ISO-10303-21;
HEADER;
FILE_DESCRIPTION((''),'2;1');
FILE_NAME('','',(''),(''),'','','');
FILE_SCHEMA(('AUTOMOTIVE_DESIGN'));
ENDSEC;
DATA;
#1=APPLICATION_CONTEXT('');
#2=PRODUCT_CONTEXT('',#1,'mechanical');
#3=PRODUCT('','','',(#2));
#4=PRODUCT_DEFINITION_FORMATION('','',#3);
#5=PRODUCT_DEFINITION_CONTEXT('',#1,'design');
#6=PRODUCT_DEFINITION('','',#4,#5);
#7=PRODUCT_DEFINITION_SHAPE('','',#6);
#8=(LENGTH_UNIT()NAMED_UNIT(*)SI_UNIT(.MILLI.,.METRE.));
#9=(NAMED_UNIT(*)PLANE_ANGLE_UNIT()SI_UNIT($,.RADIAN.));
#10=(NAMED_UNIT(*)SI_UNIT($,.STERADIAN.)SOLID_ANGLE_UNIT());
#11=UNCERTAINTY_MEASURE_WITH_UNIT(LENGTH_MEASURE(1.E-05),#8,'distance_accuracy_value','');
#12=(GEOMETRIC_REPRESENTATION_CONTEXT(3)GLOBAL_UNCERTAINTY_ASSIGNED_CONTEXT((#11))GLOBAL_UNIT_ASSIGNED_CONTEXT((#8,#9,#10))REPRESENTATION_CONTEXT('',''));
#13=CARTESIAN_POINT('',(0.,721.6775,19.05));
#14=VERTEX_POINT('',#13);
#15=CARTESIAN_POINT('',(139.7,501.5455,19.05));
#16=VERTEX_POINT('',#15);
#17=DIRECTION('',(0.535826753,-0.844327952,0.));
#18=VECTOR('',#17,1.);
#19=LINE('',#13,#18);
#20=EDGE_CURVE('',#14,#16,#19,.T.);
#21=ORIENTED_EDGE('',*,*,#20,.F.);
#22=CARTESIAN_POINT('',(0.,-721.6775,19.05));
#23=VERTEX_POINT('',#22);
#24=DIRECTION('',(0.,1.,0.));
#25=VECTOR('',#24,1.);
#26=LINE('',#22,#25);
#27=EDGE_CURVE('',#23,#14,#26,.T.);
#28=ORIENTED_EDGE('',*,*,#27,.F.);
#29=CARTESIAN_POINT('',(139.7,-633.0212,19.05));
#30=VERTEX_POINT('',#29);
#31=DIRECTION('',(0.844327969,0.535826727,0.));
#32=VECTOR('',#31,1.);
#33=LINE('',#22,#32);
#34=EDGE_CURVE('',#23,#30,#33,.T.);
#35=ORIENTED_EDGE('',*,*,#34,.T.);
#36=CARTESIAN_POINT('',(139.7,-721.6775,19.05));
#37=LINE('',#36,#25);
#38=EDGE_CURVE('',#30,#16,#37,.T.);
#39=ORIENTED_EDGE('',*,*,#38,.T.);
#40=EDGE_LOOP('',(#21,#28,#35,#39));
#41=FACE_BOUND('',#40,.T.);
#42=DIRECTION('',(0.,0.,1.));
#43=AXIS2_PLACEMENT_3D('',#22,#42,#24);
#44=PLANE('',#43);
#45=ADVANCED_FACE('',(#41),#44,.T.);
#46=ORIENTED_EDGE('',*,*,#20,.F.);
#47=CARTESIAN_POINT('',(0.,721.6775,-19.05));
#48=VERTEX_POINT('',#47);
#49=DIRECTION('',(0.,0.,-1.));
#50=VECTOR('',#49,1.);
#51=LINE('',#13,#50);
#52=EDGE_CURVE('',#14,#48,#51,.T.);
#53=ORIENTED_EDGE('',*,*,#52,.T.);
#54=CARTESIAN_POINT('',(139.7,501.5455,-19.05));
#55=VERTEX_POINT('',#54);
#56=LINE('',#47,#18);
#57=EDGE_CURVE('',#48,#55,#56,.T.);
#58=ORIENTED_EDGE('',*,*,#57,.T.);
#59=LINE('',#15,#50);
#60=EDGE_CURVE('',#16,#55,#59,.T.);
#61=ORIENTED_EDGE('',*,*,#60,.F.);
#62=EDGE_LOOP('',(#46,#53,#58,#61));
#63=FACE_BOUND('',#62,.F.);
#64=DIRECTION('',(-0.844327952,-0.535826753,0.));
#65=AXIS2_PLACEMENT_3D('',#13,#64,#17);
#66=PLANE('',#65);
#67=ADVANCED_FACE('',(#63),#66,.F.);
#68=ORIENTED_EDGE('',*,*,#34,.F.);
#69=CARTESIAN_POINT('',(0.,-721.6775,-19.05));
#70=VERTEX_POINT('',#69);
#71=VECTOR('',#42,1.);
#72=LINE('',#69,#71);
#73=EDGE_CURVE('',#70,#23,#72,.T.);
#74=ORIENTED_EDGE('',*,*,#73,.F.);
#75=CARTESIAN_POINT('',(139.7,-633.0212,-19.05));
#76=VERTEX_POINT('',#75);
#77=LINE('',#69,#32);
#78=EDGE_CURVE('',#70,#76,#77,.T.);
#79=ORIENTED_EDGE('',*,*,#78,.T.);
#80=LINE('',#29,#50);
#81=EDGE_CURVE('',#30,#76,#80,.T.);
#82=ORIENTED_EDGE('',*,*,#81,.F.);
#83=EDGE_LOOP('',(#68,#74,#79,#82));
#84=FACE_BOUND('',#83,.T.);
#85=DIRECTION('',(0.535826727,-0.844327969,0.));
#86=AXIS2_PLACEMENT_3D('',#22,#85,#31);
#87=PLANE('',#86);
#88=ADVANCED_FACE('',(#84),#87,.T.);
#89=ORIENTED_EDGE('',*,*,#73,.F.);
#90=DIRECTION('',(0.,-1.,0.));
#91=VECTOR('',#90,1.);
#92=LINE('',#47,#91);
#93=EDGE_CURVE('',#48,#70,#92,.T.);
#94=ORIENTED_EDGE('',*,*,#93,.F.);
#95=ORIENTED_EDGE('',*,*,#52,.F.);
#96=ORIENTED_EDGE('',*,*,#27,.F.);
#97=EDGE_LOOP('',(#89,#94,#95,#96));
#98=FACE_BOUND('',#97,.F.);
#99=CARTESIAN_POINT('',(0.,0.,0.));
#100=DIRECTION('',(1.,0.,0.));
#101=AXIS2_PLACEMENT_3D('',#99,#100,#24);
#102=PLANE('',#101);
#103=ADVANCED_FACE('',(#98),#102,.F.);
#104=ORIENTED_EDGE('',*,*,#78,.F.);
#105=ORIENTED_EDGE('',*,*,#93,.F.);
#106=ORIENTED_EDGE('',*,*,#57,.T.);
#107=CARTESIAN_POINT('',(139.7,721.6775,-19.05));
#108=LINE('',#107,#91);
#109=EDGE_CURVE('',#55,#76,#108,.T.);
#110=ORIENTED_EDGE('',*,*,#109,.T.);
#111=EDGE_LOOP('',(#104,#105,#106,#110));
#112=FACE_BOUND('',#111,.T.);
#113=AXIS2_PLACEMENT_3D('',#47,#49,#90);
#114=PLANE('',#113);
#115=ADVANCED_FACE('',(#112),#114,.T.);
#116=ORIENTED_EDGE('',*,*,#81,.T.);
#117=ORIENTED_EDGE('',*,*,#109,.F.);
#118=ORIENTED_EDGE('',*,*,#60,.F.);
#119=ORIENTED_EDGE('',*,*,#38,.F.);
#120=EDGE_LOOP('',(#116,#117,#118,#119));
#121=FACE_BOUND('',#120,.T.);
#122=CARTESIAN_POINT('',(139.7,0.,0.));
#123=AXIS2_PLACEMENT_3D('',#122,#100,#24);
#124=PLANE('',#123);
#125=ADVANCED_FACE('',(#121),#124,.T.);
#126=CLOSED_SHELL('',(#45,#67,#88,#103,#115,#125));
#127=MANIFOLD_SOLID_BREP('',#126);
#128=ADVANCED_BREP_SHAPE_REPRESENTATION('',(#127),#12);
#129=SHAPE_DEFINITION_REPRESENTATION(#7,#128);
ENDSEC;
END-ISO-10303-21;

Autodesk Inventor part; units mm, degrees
ref_plane "YZ Plane" through (0, 0, 0) normal (1, 0, 0) x (0, 1, 0)
ref_plane "XZ Plane" through (0, 0, 0) normal (0, 1, 0) x (-1, 0, 0)
ref_plane "XY Plane" through (0, 0, 0) normal (0, 0, 1) x (1, 0, 0)
sketch "Sketch1" plane through (0, 0, 0) normal (1, 0, 0) x (0, 1, 0)
  line L0 (-721.6775, 19.05) -> (721.6775, 19.05)
  line L1 (721.6775, 19.05) -> (721.6775, -19.05)
  line L2 (721.6775, -19.05) -> (-721.6775, -19.05)
  line L3 (-721.6775, -19.05) -> (-721.6775, 19.05)
  line L4 (-721.6775, 19.05) -> (721.6775, -19.05) construction
  line L5 (721.6775, 19.05) -> (-721.6775, -19.05) construction
  point P0 (0, 0)
  dimension "d0" = 38.1
  dimension "d1" = 1443.355
extrude "Extrusion1" add sketch "Sketch1" along normal blind 139.7
sketch "Sketch2" plane through (0, -721.6775, 19.05) normal (0, 0, 1) x (1, 0, 0)
  line L0 (0, 0) -> (0, 1443.355) projected
  line L1 (0, 1443.355) -> (139.7, 1223.223)
  line L2 (139.7, 0) -> (139.7, 1443.355) projected
  line L3 (0, 1443.355) -> (139.7, 1443.355) projected
  line L4 (0, 0) -> (139.7, 88.6563)
  line L5 (0, 0) -> (139.7, 0) projected
  point P0 (0, 721.6775)
  dimension "d4" = 57.6
  dimension "d5" = 32.4
extrude "Extrusion2" cut sketch "Sketch2" against normal blind 38.1 contours L4 L2 L5 | L3 L2 L1
properties part number "angled triangle beam"
